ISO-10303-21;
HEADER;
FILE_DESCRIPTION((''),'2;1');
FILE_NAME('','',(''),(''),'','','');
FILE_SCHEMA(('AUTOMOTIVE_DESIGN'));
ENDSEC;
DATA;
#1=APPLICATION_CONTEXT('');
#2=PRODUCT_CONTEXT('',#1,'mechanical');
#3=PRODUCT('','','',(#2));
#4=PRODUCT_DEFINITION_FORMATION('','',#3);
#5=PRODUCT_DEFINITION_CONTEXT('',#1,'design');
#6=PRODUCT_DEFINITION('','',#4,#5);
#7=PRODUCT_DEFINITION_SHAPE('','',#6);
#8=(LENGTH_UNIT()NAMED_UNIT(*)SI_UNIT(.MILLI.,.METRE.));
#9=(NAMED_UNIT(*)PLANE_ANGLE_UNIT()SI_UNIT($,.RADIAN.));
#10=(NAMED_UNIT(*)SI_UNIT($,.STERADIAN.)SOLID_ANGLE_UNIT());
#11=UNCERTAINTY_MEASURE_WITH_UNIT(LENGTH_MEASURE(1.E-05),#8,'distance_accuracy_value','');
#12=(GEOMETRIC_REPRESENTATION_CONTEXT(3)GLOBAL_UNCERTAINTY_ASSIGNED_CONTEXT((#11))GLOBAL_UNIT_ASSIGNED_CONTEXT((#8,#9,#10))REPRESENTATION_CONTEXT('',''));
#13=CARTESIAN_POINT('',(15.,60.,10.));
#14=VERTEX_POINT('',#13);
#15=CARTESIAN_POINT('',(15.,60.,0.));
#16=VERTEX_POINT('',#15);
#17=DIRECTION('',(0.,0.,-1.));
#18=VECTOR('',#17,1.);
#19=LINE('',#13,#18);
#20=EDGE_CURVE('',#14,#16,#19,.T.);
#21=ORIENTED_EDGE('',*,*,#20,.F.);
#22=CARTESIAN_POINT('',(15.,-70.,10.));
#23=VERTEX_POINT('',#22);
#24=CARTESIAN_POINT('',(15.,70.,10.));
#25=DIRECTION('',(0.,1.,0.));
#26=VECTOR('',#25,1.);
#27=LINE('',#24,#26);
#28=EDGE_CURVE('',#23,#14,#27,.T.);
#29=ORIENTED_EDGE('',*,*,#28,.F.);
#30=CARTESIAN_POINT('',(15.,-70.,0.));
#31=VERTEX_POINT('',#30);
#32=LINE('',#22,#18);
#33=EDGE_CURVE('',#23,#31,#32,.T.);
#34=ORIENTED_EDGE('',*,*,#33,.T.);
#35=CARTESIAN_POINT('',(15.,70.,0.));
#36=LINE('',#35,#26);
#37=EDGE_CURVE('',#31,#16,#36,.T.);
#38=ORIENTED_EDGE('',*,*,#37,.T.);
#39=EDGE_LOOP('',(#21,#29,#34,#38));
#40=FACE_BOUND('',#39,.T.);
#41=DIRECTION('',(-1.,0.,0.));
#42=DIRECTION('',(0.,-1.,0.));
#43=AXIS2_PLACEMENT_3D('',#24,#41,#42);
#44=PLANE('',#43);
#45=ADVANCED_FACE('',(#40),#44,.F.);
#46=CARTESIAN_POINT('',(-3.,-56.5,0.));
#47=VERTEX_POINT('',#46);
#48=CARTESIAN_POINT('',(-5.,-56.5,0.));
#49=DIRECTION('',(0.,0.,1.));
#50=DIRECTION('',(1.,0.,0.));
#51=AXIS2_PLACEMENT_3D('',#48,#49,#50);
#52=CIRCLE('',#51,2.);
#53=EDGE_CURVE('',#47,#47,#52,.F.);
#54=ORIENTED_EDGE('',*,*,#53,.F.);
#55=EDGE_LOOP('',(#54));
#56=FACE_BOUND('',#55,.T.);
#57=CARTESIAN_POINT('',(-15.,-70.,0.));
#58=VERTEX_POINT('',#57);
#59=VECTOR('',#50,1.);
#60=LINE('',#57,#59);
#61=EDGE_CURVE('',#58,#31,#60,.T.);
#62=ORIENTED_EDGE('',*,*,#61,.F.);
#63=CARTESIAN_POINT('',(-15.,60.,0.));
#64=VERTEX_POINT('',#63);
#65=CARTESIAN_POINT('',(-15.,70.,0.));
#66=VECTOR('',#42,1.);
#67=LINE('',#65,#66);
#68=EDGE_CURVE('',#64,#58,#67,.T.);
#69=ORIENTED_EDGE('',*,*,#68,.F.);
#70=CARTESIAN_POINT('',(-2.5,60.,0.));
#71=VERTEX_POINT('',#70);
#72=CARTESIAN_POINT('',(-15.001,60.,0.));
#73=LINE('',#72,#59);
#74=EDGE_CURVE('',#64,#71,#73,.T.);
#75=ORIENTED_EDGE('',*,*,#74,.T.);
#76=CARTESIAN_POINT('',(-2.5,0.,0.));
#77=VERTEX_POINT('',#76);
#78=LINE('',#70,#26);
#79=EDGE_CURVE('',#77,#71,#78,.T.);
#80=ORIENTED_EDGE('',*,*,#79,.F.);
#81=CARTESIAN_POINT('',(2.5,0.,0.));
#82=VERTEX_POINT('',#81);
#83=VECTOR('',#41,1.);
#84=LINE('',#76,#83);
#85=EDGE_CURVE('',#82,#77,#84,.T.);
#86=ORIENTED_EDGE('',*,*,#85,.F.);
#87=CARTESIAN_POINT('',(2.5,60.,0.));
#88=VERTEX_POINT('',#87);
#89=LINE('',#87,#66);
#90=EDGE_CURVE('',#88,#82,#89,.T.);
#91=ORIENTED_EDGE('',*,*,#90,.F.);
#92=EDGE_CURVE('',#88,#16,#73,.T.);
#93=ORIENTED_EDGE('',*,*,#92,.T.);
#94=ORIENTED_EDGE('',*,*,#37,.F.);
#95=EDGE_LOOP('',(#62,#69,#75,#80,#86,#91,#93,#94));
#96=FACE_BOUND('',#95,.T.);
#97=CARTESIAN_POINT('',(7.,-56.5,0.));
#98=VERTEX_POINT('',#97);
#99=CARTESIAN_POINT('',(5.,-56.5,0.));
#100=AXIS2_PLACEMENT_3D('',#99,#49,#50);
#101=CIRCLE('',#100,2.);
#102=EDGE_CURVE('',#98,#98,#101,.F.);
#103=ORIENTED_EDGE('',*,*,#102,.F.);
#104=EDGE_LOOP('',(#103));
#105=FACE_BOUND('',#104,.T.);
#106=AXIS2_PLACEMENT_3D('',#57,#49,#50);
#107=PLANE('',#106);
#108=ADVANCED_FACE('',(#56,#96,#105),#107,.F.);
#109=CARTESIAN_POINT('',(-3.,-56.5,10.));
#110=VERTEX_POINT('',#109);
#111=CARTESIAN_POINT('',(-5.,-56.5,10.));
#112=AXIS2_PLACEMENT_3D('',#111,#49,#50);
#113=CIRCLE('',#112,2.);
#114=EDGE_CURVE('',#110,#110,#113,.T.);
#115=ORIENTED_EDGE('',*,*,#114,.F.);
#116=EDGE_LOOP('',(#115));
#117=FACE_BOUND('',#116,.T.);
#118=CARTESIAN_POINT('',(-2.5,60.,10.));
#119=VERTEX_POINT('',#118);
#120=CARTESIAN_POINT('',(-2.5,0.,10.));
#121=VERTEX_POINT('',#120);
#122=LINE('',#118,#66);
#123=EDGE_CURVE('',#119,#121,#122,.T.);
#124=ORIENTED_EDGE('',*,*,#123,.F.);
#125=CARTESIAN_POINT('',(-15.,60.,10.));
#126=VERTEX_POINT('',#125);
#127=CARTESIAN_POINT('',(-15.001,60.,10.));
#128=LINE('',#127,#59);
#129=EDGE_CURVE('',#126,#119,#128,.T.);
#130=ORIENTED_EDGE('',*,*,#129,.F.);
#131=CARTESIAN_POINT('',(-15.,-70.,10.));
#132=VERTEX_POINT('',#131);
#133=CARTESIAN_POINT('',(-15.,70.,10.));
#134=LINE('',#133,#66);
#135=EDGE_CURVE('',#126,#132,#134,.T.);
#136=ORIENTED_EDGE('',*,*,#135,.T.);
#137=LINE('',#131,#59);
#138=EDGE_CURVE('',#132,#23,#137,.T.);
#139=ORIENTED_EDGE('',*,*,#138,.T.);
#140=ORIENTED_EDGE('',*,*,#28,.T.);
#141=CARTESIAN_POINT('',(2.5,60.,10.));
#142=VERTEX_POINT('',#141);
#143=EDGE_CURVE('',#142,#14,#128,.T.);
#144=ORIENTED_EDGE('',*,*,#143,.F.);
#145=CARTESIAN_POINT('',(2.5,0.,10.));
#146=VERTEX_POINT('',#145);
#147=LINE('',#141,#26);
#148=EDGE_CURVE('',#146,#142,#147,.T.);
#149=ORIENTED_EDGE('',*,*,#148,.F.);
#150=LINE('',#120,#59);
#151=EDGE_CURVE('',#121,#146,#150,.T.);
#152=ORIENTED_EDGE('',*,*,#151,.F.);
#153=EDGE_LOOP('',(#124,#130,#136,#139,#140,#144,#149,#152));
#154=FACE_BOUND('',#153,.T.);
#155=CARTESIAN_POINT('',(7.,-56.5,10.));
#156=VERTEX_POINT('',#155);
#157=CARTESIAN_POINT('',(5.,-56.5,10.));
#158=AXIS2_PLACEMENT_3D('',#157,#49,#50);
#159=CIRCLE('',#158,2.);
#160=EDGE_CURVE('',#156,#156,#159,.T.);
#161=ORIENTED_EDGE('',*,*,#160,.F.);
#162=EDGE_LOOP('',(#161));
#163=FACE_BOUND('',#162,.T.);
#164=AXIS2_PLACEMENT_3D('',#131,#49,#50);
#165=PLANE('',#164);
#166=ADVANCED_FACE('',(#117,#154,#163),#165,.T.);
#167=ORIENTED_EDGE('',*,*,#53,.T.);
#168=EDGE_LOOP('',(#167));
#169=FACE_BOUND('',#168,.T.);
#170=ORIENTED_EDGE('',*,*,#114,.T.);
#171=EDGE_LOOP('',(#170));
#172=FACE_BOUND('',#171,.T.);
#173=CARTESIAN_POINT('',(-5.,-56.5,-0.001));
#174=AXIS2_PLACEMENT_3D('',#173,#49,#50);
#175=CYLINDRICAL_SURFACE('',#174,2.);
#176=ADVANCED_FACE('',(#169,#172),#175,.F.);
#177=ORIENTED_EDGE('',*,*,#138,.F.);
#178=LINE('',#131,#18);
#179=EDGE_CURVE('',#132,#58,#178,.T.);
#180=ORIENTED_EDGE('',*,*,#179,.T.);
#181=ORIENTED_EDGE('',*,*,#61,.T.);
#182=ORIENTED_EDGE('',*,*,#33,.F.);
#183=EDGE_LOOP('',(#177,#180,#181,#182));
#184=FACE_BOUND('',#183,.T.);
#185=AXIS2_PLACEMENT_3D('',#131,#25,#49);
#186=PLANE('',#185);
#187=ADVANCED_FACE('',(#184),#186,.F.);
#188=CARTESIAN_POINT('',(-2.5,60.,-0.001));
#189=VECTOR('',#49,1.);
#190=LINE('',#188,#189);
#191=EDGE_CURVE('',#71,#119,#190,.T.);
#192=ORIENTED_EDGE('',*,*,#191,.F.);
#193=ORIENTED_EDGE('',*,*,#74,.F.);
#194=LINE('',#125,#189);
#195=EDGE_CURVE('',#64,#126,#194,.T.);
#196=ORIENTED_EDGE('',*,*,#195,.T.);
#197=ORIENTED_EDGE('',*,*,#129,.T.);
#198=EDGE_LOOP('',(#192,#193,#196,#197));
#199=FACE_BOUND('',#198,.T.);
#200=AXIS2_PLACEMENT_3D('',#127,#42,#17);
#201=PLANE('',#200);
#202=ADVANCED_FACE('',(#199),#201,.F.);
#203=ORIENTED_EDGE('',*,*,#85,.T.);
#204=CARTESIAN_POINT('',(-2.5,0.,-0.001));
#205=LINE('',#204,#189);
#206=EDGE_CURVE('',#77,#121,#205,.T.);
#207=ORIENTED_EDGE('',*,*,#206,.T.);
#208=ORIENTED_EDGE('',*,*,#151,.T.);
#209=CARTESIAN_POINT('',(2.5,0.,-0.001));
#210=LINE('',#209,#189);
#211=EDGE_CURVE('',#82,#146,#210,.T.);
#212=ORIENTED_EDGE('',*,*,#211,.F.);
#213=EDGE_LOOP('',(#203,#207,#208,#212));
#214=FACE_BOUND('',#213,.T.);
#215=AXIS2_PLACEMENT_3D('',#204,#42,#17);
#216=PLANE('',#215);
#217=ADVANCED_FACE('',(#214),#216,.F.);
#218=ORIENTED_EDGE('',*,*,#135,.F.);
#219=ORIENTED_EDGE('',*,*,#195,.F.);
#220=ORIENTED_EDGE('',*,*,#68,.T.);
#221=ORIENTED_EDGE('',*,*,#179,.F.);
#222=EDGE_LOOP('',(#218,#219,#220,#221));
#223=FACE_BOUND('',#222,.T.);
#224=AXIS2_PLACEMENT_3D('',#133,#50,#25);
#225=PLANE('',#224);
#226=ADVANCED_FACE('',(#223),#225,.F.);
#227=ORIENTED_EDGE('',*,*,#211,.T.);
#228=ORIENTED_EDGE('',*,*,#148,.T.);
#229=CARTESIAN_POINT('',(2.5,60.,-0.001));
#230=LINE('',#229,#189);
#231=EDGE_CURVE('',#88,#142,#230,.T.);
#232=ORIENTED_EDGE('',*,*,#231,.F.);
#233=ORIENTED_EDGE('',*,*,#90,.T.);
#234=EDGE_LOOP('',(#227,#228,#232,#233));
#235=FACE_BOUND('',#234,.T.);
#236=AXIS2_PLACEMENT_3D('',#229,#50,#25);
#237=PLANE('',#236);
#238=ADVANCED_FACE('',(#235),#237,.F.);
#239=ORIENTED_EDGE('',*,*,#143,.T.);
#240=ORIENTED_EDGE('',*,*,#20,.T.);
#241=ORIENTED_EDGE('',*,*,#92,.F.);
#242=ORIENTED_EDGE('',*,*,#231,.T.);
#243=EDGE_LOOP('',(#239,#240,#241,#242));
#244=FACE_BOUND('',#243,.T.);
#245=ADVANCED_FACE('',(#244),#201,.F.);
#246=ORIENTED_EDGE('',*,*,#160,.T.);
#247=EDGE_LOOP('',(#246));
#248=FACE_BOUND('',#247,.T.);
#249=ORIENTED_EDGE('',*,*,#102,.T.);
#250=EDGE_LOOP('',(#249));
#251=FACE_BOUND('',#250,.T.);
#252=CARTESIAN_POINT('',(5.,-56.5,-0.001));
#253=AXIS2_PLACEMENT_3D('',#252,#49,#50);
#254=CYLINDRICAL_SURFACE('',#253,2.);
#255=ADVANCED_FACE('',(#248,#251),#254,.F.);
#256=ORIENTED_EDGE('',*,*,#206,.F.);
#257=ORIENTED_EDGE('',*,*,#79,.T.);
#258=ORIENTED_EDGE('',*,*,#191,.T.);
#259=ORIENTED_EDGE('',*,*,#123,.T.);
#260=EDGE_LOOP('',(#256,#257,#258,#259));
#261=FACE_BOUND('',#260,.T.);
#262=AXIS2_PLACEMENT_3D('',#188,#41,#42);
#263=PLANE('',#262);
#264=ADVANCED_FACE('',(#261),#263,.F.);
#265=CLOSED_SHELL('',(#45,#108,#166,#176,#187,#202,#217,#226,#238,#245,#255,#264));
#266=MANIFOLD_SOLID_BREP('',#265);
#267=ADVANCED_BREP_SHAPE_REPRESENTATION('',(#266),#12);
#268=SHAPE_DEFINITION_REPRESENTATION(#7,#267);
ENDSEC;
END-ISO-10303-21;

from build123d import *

# Parameters (mm, degrees)
ESBO_O1_W                = 30
ESBO_O1_H                = 140
RESSALTO_EXTRUS_O1_DEPTH = 10
CORTE_EXTRUS_O1_REACH    = 74.284
ESBO_O2_R                = 2
CORTE_EXTRUS_O2_REACH    = 78.811
ESBO_O3_W                = 10
ESBO_O3_H                = 10
CORTE_EXTRUS_O3_REACH    = 74.284
ESBO_O4_W                = 5
ESBO_O4_H                = 60


with BuildPart() as part:
    # Esboço1 → Ressalto-extrusão1 (new body)
    with BuildSketch(Plane.XY):
        Rectangle(ESBO_O1_W, ESBO_O1_H)
    extrude(amount=RESSALTO_EXTRUS_O1_DEPTH)

    # Esboço2 → Corte-extrusão1 (cut, up to next)
    with BuildSketch(Plane.XY.offset(10), mode=Mode.PRIVATE) as corte_extrus_o1_sk1:
        with Locations((-5, -56.5)):
            Circle(ESBO_O2_R)
    corte_extrus_o1_tool1 = extrude(corte_extrus_o1_sk1.sketch, amount=-CORTE_EXTRUS_O1_REACH, mode=Mode.PRIVATE) & part.part
    # Esboço2 → Corte-extrusão1 (cut, up to next)
    with BuildSketch(Plane.XY.offset(10), mode=Mode.PRIVATE) as corte_extrus_o1_sk2:
        with Locations((5, -56.5)):
            Circle(ESBO_O2_R)
    corte_extrus_o1_tool2 = extrude(corte_extrus_o1_sk2.sketch, amount=-CORTE_EXTRUS_O1_REACH, mode=Mode.PRIVATE) & part.part
    add(corte_extrus_o1_tool1.solids().sort_by_distance((-5, -56.5, 10))[0], mode=Mode.SUBTRACT)
    add(corte_extrus_o1_tool2.solids().sort_by_distance((5, -56.5, 10))[0], mode=Mode.SUBTRACT)

    # Esboço3 → Corte-extrusão2 (cut, up to next)
    with BuildSketch(Plane(origin=(15, 0, 0), x_dir=(0, 0, -1), z_dir=(1, 0, 0)), mode=Mode.PRIVATE) as corte_extrus_o2_sk1:
        with Locations((-5, 65)):
            Rectangle(ESBO_O3_W, ESBO_O3_H)
    corte_extrus_o2_tool1 = extrude(corte_extrus_o2_sk1.sketch, amount=-CORTE_EXTRUS_O2_REACH, mode=Mode.PRIVATE) & part.part
    add(corte_extrus_o2_tool1.solids().sort_by_distance((15, 65, 5))[0], mode=Mode.SUBTRACT)

    # Esboço4 → Corte-extrusão3 (cut, up to next)
    with BuildSketch(Plane.XY.offset(10), mode=Mode.PRIVATE) as corte_extrus_o3_sk1:
        with Locations((0, 30)):
            Rectangle(ESBO_O4_W, ESBO_O4_H)
    corte_extrus_o3_tool1 = extrude(corte_extrus_o3_sk1.sketch, amount=-CORTE_EXTRUS_O3_REACH, mode=Mode.PRIVATE) & part.part
    add(corte_extrus_o3_tool1.solids().sort_by_distance((0, 30, 10))[0], mode=Mode.SUBTRACT)


solid = part.part
